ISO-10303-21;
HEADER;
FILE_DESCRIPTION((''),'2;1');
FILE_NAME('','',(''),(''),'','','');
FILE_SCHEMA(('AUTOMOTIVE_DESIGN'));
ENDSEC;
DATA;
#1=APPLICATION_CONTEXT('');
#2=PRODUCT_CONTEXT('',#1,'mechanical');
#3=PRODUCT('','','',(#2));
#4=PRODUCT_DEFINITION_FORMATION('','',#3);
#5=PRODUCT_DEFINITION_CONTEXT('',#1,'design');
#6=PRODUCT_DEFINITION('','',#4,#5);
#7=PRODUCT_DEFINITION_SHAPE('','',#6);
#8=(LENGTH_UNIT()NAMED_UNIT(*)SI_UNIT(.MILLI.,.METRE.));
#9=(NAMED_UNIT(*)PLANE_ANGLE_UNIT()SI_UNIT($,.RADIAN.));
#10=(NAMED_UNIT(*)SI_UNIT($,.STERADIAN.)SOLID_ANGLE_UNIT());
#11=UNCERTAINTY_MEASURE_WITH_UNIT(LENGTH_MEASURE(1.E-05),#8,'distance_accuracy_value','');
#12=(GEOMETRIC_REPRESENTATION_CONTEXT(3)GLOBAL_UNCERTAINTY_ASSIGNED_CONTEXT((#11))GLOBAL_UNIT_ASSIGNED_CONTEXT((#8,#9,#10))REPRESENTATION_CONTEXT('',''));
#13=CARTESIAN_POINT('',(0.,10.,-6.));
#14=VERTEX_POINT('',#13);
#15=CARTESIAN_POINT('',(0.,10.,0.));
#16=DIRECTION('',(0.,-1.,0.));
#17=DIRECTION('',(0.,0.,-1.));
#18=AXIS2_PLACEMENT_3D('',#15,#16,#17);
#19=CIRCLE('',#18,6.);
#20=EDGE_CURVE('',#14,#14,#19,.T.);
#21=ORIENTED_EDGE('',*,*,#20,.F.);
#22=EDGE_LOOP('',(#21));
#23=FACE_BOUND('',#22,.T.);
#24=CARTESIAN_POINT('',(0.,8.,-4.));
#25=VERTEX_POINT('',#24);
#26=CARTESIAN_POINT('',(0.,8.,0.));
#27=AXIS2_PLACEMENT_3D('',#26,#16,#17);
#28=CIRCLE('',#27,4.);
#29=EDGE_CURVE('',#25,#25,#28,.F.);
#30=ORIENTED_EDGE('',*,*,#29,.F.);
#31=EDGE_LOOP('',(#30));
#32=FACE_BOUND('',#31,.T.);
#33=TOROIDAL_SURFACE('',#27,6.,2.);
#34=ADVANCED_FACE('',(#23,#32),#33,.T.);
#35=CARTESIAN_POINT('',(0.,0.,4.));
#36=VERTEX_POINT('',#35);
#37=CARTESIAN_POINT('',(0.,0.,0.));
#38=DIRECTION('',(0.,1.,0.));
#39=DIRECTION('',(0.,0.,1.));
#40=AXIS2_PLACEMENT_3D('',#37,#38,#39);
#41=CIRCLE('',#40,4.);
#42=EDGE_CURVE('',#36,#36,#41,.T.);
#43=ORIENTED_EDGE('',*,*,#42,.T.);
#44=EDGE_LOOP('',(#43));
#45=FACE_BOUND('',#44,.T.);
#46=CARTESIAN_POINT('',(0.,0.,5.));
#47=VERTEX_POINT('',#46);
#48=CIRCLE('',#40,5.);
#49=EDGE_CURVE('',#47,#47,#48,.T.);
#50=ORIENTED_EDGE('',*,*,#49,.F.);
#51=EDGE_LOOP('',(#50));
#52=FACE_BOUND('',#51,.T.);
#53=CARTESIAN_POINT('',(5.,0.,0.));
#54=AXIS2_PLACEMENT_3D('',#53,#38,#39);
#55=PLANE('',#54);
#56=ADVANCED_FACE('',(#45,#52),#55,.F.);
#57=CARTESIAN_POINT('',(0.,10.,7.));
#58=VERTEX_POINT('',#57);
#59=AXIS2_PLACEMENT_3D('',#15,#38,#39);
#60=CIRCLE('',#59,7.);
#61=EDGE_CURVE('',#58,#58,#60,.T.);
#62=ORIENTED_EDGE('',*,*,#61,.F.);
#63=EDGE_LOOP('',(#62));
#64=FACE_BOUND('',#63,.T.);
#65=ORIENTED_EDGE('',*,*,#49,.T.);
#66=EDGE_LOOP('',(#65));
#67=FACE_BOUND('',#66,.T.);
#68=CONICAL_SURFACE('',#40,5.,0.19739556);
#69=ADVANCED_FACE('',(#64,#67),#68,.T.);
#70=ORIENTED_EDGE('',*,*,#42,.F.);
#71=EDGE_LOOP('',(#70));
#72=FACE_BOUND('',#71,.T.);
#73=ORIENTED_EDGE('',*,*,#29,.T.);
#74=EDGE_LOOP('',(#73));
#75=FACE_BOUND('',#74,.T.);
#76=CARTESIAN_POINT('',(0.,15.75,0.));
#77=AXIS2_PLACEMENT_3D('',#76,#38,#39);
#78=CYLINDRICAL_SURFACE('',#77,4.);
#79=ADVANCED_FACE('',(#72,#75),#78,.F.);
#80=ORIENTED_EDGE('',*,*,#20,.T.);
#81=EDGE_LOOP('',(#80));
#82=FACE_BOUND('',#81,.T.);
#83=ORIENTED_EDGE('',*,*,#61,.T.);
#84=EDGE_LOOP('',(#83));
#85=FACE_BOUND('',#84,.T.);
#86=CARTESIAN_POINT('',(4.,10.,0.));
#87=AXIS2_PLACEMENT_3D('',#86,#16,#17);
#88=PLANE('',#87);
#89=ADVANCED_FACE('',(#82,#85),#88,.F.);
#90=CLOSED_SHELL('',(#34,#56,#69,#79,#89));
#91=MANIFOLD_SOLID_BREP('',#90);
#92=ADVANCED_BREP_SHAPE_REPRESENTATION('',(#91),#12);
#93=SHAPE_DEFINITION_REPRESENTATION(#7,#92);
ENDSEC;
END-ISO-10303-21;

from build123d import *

# Parameters (mm, degrees)
FILLET1_R = 2


with BuildPart() as part:
    # Sketch1 → Revolve1 (revolve)
    with BuildSketch(Plane.XY, mode=Mode.PRIVATE) as revolve1_sk:
        Polygon((5, 0), (7, 10), (4, 10), (4, 0), align=None)
    revolve(revolve1_sk.sketch.rotate(Axis((0, 15.75, 0), (0, -1, 0)), 90), axis=Axis((0, 15.75, 0), (0, -1, 0)))

    # Fillet1
    fillet1_edges = [part.edges().sort_by_distance(p)[0] for p in [
        (0, 10, -4),
    ]]
    fillet(fillet1_edges, radius=FILLET1_R)


solid = part.part
